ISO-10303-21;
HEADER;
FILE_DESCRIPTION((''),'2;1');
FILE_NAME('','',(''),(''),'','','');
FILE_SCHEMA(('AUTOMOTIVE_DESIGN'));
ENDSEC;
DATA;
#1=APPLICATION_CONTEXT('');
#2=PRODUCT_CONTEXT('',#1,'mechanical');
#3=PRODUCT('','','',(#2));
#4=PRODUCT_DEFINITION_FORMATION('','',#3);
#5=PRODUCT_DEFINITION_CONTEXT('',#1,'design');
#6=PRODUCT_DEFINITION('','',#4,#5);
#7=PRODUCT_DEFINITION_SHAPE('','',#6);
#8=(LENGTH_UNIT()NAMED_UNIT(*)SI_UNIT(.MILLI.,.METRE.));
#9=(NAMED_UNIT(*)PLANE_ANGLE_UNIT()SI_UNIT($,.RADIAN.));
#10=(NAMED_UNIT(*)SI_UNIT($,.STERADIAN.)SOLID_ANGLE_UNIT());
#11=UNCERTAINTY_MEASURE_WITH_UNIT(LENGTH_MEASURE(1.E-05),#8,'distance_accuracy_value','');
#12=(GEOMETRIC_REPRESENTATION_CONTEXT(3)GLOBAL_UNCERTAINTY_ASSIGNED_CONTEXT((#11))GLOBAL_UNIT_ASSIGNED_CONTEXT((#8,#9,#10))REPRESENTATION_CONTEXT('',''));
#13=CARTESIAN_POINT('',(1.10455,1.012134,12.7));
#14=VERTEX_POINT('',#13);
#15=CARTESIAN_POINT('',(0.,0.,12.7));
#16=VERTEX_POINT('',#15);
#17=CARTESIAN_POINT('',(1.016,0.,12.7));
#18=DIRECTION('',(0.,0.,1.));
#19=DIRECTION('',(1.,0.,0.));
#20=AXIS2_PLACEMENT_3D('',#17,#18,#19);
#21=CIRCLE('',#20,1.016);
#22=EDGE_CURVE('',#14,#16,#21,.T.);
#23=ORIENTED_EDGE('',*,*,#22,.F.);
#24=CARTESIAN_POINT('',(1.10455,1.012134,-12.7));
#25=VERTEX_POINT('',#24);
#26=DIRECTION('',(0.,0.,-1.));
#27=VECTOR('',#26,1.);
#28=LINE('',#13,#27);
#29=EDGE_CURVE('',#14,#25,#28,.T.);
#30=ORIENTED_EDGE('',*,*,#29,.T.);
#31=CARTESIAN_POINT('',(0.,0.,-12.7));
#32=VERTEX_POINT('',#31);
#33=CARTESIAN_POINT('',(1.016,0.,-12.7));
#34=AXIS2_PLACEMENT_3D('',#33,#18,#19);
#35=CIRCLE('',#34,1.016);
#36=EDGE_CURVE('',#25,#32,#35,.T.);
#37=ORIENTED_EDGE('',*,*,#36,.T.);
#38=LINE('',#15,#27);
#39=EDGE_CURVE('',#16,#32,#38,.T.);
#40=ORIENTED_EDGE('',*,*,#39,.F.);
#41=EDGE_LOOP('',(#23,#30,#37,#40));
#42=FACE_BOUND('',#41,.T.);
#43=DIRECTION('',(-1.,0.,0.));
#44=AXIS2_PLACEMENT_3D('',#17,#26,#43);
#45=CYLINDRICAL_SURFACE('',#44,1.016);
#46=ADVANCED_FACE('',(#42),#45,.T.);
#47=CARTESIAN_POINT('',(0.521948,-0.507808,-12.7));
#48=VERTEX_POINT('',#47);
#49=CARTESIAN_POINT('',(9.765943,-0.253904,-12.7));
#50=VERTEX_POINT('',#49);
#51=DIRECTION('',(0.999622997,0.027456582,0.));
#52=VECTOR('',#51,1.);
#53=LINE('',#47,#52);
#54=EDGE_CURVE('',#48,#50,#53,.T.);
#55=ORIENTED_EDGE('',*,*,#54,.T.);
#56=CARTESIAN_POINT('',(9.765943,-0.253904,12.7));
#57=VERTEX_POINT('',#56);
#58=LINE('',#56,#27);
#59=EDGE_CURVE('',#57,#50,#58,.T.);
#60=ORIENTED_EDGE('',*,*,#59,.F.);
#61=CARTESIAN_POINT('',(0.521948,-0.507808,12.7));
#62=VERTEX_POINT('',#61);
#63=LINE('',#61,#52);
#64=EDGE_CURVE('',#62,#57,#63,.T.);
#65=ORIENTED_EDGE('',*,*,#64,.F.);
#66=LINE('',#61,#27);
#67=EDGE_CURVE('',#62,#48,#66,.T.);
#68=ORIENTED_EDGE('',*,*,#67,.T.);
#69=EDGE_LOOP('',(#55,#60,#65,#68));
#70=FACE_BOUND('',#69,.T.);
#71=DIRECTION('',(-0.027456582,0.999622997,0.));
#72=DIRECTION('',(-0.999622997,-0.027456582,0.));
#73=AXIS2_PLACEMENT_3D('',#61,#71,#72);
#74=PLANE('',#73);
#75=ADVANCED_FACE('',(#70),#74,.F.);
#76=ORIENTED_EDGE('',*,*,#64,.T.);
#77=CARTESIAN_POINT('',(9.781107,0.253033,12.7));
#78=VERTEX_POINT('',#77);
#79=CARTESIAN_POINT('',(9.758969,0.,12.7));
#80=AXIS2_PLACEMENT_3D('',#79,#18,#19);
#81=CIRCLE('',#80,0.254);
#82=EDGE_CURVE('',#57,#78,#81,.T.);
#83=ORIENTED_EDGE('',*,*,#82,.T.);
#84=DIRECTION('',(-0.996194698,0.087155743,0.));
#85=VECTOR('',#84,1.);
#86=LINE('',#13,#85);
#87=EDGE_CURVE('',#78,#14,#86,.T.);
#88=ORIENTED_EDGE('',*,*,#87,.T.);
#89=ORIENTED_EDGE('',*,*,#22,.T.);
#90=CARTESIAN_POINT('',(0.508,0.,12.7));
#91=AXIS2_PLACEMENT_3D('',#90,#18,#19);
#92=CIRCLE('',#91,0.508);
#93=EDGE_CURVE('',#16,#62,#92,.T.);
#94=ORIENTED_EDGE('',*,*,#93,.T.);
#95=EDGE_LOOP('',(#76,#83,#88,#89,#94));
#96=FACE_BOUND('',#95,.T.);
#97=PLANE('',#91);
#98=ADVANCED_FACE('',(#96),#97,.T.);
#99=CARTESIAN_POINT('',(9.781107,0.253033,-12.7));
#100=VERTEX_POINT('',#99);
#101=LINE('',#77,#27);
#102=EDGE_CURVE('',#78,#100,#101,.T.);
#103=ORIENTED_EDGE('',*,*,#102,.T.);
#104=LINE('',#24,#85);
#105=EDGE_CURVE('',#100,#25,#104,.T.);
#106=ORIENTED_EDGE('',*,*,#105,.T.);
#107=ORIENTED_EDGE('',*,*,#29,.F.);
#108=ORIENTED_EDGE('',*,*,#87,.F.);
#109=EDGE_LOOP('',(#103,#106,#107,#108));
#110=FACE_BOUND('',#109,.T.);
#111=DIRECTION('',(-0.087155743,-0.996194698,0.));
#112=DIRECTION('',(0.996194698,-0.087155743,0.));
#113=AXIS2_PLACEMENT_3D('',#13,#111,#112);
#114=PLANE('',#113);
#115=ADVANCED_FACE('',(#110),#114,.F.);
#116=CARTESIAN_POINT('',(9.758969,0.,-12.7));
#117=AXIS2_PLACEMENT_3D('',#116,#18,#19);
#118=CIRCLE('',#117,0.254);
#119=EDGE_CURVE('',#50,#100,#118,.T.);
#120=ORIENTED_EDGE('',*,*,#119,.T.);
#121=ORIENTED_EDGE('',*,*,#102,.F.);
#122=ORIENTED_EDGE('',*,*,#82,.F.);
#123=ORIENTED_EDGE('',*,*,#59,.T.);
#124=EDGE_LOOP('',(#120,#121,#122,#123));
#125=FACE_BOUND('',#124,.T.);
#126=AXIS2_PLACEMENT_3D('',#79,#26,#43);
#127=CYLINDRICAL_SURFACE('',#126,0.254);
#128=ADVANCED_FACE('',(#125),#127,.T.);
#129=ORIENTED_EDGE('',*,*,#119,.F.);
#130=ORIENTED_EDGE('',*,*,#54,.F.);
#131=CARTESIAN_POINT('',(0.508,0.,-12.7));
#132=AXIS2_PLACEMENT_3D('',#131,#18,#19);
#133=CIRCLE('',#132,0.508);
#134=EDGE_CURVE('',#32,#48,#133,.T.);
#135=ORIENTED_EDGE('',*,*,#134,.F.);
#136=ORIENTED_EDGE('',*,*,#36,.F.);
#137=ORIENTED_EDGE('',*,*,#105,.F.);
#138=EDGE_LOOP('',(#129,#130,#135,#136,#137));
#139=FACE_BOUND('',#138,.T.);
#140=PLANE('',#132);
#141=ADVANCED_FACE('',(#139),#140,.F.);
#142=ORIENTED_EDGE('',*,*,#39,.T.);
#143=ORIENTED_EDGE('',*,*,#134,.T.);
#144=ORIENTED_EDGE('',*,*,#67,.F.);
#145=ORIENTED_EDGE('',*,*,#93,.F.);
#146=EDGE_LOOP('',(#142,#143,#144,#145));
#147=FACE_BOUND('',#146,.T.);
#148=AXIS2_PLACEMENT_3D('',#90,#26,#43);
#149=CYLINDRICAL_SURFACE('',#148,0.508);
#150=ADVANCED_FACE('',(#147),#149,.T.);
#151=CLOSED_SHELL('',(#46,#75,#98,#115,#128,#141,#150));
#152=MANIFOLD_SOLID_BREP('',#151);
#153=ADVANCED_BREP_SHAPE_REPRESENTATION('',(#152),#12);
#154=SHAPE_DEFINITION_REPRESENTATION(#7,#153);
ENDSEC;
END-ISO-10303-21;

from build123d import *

# Parameters (mm, degrees)
BOSS_EXTRUDE1_DEPTH = 12.7


with BuildPart() as part:
    # Sketch1 → Boss-Extrude1 (new, symmetric)
    with BuildSketch(Plane.XY):
        with BuildLine():
            Line((1.104550235, 1.012133813), (9.781107052, 0.253033453))
            ThreePointArc((9.781107052, 0.253033453), (10.012855938, -0.007594285), (9.765943465, -0.253904241))
            Line((9.765943465, -0.253904241), (0.521947944, -0.507808482))
            ThreePointArc((0.521947944, -0.507808482), (0.15375542, -0.364108195), (0, 0))
            ThreePointArc((0, 0), (0.329600349, 0.749073774), (1.104550235, 1.012133813))
        make_face()
    extrude(amount=BOSS_EXTRUDE1_DEPTH, both=True)


solid = part.part
